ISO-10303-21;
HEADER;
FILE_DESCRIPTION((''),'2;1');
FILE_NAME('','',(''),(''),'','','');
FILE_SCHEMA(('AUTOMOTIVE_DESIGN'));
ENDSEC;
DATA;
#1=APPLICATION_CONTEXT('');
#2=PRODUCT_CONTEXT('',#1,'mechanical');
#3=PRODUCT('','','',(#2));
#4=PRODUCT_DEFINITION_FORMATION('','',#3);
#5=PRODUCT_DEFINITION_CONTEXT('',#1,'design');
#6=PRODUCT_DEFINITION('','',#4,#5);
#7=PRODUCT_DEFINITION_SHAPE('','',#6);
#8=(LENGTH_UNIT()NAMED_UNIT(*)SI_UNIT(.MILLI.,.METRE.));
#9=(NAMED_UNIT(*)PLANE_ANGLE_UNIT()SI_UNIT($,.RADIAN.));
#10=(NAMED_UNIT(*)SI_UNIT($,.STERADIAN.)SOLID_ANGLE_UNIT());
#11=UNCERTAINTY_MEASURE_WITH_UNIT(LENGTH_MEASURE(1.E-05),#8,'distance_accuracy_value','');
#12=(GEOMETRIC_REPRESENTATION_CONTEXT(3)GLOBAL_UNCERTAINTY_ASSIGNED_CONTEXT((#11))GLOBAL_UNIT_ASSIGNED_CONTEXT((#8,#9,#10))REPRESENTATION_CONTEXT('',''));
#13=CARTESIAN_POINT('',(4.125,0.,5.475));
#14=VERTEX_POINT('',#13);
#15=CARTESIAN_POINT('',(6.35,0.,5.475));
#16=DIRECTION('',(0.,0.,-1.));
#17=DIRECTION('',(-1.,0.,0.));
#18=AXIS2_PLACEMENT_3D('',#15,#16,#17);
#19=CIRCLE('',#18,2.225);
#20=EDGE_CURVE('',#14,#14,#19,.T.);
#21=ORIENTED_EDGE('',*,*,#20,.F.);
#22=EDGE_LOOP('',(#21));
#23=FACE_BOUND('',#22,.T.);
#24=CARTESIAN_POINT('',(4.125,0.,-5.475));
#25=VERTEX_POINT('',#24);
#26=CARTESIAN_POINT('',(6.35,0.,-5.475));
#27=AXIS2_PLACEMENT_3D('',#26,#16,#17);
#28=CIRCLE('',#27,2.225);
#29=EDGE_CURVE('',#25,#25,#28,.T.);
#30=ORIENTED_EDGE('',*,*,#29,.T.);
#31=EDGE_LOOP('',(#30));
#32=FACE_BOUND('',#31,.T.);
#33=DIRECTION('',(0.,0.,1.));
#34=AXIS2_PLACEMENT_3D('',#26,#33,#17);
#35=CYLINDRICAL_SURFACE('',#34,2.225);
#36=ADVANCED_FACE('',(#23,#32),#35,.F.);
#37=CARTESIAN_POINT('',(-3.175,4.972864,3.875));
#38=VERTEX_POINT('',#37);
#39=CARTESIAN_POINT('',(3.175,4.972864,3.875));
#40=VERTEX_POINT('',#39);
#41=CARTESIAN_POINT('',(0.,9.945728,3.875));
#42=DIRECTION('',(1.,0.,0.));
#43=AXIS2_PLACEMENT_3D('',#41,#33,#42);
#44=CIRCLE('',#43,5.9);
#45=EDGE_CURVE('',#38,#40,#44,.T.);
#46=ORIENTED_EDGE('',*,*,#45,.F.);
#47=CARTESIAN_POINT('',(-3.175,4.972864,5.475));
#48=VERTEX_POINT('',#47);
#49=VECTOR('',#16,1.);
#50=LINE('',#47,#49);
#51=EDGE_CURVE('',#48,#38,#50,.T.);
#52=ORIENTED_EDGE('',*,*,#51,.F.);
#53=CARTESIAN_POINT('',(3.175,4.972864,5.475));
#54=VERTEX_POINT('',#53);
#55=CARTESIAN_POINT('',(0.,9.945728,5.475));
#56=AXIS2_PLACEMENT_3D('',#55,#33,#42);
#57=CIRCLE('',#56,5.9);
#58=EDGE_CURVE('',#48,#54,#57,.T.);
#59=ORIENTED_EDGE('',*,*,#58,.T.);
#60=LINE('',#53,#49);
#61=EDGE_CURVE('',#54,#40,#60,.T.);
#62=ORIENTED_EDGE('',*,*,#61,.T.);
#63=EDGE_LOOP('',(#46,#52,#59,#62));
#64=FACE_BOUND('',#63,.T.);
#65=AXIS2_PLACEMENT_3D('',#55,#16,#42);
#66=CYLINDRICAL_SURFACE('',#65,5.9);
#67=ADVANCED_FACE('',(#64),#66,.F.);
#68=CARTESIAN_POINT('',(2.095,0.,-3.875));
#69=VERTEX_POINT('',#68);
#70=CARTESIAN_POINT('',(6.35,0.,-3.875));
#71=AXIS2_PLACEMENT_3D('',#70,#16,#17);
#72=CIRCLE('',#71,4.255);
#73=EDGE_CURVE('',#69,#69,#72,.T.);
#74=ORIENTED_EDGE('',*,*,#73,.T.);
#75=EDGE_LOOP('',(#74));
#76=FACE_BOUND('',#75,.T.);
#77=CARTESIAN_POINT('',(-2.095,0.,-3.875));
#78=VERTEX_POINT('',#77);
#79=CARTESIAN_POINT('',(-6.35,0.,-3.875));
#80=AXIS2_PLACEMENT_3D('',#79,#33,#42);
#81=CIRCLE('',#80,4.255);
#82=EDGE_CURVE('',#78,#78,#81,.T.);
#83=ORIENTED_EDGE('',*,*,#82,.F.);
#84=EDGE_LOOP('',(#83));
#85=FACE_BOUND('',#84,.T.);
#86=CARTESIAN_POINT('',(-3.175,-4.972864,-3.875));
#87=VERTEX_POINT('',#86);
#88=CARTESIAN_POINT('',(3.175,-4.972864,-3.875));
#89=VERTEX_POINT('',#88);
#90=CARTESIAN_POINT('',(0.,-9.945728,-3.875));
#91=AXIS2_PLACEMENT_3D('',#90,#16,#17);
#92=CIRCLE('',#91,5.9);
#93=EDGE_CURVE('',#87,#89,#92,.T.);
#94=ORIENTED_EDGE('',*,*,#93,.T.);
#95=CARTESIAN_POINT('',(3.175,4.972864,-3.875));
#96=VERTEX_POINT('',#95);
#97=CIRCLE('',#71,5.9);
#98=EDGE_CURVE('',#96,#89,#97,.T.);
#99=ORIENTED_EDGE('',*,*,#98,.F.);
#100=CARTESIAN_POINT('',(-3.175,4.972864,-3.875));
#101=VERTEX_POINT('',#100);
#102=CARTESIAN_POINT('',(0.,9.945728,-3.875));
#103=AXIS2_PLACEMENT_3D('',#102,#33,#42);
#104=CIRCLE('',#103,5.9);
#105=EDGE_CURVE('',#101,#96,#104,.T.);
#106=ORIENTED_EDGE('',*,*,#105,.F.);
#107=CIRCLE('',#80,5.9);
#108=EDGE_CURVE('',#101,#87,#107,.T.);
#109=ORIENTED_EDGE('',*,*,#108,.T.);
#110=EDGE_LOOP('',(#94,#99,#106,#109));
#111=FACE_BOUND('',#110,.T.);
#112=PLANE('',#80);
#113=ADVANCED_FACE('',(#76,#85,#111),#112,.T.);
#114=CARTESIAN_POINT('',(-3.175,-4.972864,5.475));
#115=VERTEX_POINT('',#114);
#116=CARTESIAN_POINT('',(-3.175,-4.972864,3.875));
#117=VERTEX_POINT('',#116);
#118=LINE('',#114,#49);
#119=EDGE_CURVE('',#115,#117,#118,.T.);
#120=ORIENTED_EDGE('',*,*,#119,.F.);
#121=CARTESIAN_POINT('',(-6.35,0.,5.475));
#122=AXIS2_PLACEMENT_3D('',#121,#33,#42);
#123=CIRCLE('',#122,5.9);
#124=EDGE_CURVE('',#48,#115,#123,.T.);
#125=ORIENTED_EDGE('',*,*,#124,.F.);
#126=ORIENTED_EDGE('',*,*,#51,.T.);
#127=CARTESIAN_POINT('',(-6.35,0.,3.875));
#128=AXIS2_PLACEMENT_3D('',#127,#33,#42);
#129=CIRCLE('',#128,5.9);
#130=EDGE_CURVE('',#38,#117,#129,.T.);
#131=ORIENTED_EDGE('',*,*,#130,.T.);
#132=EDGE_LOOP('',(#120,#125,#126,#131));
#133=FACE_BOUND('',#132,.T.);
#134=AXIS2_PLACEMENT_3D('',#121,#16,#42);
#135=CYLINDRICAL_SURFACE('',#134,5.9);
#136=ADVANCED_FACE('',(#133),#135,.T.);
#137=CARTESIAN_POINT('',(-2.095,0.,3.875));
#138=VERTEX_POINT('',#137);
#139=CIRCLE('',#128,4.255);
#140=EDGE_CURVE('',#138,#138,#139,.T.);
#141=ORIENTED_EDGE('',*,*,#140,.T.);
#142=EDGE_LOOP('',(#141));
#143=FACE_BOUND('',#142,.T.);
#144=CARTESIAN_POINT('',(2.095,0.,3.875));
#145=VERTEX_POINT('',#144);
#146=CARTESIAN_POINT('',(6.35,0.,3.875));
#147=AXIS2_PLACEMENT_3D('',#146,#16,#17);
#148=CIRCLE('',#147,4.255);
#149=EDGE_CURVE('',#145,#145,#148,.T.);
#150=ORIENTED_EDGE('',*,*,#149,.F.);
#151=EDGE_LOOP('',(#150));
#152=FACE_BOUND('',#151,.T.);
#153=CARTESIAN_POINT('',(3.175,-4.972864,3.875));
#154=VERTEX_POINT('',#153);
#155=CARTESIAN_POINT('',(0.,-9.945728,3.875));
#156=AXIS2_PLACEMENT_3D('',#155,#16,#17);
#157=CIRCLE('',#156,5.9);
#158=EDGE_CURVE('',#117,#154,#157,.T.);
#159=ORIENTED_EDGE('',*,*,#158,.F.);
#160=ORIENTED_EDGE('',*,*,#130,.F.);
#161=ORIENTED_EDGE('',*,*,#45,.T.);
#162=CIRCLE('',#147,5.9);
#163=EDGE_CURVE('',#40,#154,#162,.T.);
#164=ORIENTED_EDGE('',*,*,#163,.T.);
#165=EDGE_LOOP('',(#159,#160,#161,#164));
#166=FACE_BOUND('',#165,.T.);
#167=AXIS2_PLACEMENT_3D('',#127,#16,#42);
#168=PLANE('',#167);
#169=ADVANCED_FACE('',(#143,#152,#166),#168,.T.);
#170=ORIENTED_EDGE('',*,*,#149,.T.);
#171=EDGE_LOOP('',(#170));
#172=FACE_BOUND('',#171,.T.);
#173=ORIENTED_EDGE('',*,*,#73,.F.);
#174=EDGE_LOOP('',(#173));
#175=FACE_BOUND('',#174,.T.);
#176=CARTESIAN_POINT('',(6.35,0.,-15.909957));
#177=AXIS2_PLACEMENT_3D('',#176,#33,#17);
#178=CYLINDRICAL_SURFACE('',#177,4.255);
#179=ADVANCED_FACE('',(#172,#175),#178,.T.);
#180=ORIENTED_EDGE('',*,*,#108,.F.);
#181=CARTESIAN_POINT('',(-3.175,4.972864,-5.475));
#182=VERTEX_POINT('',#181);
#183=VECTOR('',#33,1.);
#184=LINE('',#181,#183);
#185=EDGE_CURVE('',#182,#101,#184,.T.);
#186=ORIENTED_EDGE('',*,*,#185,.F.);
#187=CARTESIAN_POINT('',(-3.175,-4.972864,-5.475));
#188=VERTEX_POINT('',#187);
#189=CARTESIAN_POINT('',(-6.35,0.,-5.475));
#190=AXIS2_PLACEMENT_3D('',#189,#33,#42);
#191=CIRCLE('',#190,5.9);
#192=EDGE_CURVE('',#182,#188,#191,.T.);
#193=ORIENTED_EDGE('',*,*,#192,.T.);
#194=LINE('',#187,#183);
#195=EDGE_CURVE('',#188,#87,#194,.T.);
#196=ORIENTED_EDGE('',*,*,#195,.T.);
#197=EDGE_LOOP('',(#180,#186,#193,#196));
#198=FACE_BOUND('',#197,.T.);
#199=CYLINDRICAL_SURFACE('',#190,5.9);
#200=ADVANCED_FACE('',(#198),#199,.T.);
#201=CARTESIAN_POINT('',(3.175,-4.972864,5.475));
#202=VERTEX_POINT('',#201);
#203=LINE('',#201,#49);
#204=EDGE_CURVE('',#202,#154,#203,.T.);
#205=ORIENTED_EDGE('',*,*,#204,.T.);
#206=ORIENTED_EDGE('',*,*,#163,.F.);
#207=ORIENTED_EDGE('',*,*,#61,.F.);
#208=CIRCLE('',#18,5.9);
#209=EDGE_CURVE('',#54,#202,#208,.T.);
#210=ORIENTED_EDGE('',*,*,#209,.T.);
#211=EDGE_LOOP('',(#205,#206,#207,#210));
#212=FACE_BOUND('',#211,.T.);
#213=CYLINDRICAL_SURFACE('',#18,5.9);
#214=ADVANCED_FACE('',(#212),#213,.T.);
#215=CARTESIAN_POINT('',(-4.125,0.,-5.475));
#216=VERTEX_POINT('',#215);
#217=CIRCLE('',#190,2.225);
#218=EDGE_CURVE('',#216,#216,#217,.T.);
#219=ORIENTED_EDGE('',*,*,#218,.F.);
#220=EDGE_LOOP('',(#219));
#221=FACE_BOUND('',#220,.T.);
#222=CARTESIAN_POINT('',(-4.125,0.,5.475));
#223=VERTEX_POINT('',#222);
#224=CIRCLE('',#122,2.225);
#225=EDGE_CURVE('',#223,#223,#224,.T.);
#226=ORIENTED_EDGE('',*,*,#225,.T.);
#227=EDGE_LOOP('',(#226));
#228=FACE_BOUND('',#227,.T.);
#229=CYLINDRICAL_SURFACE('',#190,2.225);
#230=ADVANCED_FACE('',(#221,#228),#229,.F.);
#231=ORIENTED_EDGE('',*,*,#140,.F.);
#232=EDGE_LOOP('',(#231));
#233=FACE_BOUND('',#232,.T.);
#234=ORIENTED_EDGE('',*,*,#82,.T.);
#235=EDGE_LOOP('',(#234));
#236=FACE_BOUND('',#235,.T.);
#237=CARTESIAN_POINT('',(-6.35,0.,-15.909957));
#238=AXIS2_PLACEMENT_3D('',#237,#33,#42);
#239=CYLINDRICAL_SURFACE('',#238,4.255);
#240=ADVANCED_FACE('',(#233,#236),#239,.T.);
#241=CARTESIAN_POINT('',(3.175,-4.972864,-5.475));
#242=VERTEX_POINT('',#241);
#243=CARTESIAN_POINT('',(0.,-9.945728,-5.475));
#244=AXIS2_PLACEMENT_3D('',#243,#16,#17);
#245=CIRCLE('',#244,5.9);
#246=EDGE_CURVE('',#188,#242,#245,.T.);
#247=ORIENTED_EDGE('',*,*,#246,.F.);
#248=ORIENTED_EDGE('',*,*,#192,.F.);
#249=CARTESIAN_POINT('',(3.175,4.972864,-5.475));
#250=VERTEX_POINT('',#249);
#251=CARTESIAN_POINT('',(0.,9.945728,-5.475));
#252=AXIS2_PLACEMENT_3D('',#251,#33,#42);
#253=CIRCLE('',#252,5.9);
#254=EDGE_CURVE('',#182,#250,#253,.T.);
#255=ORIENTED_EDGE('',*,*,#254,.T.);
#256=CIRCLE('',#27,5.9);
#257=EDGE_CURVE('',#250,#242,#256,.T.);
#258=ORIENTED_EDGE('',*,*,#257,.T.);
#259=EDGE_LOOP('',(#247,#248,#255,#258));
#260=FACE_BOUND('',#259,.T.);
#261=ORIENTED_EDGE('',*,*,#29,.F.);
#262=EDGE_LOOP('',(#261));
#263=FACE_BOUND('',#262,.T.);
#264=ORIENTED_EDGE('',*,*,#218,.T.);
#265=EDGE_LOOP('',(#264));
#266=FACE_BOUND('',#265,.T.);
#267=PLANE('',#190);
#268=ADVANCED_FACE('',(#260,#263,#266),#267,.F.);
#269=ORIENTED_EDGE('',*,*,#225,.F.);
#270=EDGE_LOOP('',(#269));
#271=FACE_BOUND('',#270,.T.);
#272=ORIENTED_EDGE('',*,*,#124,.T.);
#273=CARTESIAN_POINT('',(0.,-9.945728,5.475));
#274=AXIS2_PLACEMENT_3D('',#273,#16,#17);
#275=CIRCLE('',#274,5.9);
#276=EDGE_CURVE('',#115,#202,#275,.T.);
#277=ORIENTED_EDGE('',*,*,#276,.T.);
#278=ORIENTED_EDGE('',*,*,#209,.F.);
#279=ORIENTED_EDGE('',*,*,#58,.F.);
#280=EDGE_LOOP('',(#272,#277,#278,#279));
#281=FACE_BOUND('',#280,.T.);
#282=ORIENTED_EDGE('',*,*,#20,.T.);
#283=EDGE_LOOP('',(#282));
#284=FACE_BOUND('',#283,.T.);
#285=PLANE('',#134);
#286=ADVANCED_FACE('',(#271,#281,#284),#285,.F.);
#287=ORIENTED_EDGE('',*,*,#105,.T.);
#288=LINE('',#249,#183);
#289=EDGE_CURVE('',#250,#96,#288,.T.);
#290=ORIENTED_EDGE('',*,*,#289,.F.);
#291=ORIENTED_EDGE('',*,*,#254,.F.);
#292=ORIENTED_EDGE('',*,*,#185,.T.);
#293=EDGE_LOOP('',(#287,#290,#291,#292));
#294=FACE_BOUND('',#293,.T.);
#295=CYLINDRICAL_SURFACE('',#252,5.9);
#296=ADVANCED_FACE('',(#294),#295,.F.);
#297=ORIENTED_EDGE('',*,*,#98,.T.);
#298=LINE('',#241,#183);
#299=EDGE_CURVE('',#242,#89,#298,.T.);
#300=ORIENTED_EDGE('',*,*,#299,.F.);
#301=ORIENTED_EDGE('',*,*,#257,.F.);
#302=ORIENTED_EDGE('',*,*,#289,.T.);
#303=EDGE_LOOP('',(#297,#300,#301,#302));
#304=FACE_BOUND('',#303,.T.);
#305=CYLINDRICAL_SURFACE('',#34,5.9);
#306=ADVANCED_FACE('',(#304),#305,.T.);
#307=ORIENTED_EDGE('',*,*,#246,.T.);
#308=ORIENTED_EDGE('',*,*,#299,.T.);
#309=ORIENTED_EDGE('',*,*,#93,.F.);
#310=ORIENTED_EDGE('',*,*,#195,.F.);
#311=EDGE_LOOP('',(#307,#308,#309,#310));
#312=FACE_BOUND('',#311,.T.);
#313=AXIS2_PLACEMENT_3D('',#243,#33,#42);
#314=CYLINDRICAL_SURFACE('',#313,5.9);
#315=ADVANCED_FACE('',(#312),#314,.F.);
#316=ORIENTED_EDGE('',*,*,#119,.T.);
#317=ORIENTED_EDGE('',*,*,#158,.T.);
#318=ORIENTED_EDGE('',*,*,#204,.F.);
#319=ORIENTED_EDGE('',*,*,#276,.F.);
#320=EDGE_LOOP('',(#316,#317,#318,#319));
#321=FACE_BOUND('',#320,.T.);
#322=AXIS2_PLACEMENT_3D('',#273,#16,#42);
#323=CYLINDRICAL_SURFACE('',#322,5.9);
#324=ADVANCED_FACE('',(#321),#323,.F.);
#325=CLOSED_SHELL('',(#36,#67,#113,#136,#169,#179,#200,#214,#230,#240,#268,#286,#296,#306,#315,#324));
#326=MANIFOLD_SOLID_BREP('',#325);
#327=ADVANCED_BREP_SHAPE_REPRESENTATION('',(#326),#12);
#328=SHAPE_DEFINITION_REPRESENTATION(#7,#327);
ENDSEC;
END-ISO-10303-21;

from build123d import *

# Parameters (mm, degrees)
EXTRUDE_START   = -3.875
SKETCH_1_R      = 2.225
EXTRUDE_1_DEPTH = 1.6
SKETCH_1_3_R    = 4.255
SKETCH_1_3_R_2  = 2.225
EXTRUDE_2_DEPTH = 3.875


with BuildPart() as part:
    # Эскиз1 → Бобышка-Вытянуть1 (new body)
    with BuildSketch(Plane.XY.offset(EXTRUDE_START)):
        with BuildLine():
            Line((0, 4.045727726), (0, -4.045727726))
            ThreePointArc((0, -4.045727726), (-1.653799143, -4.282252786), (-3.175, -4.972863863))
            ThreePointArc((-3.175, -4.972863863), (-12.25, 0), (-3.175, 4.972863863))
            ThreePointArc((-3.175, 4.972863863), (-1.653799143, 4.282252786), (0, 4.045727726))
        make_face()
        with Locations((-6.35, 0)):
            Circle(SKETCH_1_R, mode=Mode.SUBTRACT)
    extrude(amount=-EXTRUDE_1_DEPTH)

    # Эскиз1<3> → Бобышка-Вытянуть2 (add)
    with BuildSketch(Plane.XY):
        with Locations((-6.35, 0)):
            Circle(SKETCH_1_3_R)
        with Locations((-6.35, 0)):
            Circle(SKETCH_1_3_R_2, mode=Mode.SUBTRACT)
    extrude(amount=-EXTRUDE_2_DEPTH)

    # Зеркальное отражение1: part across plane


with BuildPart() as part_1:
    add(part.part)
    add(part.part.mirror(Plane(origin=(0, 0, 0), x_dir=(0, 0, 1), z_dir=(1, 0, 0))))

    # Зеркальное отражение2: part across plane


with BuildPart() as part_2:
    add(part_1.part)
    add(part_1.part.mirror(Plane.XY))


solid = part_2.part
